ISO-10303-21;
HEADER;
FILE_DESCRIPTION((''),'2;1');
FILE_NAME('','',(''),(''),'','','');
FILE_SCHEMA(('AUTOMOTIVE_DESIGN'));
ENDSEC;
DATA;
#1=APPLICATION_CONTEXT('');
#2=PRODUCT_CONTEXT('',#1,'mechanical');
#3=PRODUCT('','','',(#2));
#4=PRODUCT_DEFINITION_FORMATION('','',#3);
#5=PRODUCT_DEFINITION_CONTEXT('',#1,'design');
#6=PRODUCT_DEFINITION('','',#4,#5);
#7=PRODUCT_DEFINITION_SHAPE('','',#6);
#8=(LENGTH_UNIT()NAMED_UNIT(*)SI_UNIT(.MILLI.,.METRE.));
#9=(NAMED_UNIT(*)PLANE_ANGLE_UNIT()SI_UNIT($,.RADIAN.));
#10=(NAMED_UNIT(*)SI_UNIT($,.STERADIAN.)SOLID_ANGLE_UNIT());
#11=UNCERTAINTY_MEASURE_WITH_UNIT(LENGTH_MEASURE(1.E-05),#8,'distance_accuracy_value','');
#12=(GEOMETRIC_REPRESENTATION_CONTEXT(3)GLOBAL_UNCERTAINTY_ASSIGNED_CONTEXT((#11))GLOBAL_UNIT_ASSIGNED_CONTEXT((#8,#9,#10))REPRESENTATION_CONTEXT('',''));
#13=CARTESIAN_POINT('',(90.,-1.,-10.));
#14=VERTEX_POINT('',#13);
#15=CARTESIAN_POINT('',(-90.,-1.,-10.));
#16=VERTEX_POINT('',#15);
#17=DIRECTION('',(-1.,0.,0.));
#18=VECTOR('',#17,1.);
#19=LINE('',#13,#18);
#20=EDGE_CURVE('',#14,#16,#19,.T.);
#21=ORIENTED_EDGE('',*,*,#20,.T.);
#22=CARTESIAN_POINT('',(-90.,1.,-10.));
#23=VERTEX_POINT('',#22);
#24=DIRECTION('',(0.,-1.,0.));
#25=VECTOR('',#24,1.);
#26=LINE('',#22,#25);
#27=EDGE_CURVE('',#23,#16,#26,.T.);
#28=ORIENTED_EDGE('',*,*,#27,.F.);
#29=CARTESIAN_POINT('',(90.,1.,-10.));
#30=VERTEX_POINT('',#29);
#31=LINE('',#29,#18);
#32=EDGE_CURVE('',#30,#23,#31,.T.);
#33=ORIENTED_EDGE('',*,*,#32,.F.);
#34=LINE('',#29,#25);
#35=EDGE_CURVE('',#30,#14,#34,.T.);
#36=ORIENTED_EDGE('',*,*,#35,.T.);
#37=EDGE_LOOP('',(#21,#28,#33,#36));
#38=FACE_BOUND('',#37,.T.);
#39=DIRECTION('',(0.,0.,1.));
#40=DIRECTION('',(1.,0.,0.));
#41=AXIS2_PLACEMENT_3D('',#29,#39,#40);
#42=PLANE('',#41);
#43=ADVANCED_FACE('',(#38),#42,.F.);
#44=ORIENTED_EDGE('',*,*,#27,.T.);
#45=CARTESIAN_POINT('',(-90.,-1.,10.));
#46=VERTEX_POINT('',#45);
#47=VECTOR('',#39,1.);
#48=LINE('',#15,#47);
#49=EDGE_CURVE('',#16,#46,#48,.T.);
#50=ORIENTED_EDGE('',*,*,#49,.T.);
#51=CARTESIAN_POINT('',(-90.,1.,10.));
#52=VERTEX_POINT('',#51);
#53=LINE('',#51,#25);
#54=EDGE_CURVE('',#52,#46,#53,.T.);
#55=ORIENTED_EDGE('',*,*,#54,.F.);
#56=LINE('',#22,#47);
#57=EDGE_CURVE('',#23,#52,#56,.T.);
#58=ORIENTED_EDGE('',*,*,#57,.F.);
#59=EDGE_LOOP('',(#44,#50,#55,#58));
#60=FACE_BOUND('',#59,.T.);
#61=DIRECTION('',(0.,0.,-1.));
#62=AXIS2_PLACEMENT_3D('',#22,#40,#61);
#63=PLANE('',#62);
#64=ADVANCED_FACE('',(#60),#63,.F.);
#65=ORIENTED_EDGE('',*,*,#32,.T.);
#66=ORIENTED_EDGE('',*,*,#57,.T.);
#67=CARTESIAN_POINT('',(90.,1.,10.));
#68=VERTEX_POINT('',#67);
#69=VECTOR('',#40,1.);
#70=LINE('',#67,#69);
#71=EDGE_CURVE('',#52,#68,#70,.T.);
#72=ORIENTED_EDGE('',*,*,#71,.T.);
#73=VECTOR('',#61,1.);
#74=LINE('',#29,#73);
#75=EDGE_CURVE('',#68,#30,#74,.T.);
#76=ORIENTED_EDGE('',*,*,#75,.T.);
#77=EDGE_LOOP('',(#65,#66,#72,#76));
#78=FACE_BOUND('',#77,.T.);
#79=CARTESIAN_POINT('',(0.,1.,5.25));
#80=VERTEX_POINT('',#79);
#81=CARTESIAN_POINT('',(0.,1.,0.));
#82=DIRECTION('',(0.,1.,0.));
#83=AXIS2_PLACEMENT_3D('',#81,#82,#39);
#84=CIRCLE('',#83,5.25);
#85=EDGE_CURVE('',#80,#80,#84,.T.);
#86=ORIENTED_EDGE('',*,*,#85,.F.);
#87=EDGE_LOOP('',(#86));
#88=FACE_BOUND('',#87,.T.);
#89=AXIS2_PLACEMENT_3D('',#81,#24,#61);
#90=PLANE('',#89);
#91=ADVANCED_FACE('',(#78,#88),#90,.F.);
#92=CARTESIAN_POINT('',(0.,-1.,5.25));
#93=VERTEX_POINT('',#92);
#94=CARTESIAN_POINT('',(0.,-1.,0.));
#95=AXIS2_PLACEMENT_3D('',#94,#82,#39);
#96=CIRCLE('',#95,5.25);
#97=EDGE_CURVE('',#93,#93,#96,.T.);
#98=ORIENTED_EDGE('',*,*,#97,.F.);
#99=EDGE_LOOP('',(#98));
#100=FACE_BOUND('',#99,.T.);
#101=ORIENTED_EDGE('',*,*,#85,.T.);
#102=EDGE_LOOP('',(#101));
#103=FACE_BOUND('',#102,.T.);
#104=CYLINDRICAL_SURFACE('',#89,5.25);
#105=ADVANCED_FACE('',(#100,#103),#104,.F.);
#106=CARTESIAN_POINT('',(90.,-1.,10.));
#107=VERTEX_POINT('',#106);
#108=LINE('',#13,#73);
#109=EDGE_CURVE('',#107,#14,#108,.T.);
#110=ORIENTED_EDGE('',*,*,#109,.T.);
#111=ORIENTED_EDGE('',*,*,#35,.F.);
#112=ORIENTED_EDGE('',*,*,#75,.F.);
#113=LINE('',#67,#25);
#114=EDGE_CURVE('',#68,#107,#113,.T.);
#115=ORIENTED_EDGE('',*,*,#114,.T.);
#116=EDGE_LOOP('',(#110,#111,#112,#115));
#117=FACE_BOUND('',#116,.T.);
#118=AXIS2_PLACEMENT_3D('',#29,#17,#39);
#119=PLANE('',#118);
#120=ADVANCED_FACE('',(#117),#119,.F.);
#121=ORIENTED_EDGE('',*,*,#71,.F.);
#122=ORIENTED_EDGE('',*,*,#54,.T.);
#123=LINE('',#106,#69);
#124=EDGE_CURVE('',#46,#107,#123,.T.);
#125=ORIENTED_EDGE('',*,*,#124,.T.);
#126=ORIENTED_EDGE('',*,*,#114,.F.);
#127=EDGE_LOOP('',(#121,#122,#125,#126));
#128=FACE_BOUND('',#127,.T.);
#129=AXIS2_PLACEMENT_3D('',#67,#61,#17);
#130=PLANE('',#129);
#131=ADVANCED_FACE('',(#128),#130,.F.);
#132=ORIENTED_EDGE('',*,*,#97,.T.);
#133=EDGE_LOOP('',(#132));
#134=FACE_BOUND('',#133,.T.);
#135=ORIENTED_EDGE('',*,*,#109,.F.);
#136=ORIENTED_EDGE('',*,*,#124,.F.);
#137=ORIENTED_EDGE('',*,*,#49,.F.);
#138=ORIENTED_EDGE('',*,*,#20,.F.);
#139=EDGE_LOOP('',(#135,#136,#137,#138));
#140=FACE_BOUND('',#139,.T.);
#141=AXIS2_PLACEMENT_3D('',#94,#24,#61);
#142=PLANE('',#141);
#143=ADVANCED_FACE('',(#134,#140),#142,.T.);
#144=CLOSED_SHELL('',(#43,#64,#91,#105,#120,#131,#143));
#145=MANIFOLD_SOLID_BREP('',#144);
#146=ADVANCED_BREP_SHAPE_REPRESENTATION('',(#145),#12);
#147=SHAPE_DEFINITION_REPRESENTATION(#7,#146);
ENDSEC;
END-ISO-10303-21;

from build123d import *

# Parameters (mm, degrees)
SKETCH1_W           = 180
SKETCH1_H           = 20
SKETCH1_R           = 5.25
BOSS_EXTRUDE1_DEPTH = 1


with BuildPart() as part:
    # Sketch1 → Boss-Extrude1 (new, symmetric)
    with BuildSketch(Plane(origin=(0, 0, 0), x_dir=(1, 0, 0), z_dir=(0, 1, 0))):
        Rectangle(SKETCH1_W, SKETCH1_H)
        with Locations(Location((0, 0, 0), (0, 0, 270))):
            Circle(SKETCH1_R, mode=Mode.SUBTRACT)
    extrude(amount=BOSS_EXTRUDE1_DEPTH, both=True)


solid = part.part
